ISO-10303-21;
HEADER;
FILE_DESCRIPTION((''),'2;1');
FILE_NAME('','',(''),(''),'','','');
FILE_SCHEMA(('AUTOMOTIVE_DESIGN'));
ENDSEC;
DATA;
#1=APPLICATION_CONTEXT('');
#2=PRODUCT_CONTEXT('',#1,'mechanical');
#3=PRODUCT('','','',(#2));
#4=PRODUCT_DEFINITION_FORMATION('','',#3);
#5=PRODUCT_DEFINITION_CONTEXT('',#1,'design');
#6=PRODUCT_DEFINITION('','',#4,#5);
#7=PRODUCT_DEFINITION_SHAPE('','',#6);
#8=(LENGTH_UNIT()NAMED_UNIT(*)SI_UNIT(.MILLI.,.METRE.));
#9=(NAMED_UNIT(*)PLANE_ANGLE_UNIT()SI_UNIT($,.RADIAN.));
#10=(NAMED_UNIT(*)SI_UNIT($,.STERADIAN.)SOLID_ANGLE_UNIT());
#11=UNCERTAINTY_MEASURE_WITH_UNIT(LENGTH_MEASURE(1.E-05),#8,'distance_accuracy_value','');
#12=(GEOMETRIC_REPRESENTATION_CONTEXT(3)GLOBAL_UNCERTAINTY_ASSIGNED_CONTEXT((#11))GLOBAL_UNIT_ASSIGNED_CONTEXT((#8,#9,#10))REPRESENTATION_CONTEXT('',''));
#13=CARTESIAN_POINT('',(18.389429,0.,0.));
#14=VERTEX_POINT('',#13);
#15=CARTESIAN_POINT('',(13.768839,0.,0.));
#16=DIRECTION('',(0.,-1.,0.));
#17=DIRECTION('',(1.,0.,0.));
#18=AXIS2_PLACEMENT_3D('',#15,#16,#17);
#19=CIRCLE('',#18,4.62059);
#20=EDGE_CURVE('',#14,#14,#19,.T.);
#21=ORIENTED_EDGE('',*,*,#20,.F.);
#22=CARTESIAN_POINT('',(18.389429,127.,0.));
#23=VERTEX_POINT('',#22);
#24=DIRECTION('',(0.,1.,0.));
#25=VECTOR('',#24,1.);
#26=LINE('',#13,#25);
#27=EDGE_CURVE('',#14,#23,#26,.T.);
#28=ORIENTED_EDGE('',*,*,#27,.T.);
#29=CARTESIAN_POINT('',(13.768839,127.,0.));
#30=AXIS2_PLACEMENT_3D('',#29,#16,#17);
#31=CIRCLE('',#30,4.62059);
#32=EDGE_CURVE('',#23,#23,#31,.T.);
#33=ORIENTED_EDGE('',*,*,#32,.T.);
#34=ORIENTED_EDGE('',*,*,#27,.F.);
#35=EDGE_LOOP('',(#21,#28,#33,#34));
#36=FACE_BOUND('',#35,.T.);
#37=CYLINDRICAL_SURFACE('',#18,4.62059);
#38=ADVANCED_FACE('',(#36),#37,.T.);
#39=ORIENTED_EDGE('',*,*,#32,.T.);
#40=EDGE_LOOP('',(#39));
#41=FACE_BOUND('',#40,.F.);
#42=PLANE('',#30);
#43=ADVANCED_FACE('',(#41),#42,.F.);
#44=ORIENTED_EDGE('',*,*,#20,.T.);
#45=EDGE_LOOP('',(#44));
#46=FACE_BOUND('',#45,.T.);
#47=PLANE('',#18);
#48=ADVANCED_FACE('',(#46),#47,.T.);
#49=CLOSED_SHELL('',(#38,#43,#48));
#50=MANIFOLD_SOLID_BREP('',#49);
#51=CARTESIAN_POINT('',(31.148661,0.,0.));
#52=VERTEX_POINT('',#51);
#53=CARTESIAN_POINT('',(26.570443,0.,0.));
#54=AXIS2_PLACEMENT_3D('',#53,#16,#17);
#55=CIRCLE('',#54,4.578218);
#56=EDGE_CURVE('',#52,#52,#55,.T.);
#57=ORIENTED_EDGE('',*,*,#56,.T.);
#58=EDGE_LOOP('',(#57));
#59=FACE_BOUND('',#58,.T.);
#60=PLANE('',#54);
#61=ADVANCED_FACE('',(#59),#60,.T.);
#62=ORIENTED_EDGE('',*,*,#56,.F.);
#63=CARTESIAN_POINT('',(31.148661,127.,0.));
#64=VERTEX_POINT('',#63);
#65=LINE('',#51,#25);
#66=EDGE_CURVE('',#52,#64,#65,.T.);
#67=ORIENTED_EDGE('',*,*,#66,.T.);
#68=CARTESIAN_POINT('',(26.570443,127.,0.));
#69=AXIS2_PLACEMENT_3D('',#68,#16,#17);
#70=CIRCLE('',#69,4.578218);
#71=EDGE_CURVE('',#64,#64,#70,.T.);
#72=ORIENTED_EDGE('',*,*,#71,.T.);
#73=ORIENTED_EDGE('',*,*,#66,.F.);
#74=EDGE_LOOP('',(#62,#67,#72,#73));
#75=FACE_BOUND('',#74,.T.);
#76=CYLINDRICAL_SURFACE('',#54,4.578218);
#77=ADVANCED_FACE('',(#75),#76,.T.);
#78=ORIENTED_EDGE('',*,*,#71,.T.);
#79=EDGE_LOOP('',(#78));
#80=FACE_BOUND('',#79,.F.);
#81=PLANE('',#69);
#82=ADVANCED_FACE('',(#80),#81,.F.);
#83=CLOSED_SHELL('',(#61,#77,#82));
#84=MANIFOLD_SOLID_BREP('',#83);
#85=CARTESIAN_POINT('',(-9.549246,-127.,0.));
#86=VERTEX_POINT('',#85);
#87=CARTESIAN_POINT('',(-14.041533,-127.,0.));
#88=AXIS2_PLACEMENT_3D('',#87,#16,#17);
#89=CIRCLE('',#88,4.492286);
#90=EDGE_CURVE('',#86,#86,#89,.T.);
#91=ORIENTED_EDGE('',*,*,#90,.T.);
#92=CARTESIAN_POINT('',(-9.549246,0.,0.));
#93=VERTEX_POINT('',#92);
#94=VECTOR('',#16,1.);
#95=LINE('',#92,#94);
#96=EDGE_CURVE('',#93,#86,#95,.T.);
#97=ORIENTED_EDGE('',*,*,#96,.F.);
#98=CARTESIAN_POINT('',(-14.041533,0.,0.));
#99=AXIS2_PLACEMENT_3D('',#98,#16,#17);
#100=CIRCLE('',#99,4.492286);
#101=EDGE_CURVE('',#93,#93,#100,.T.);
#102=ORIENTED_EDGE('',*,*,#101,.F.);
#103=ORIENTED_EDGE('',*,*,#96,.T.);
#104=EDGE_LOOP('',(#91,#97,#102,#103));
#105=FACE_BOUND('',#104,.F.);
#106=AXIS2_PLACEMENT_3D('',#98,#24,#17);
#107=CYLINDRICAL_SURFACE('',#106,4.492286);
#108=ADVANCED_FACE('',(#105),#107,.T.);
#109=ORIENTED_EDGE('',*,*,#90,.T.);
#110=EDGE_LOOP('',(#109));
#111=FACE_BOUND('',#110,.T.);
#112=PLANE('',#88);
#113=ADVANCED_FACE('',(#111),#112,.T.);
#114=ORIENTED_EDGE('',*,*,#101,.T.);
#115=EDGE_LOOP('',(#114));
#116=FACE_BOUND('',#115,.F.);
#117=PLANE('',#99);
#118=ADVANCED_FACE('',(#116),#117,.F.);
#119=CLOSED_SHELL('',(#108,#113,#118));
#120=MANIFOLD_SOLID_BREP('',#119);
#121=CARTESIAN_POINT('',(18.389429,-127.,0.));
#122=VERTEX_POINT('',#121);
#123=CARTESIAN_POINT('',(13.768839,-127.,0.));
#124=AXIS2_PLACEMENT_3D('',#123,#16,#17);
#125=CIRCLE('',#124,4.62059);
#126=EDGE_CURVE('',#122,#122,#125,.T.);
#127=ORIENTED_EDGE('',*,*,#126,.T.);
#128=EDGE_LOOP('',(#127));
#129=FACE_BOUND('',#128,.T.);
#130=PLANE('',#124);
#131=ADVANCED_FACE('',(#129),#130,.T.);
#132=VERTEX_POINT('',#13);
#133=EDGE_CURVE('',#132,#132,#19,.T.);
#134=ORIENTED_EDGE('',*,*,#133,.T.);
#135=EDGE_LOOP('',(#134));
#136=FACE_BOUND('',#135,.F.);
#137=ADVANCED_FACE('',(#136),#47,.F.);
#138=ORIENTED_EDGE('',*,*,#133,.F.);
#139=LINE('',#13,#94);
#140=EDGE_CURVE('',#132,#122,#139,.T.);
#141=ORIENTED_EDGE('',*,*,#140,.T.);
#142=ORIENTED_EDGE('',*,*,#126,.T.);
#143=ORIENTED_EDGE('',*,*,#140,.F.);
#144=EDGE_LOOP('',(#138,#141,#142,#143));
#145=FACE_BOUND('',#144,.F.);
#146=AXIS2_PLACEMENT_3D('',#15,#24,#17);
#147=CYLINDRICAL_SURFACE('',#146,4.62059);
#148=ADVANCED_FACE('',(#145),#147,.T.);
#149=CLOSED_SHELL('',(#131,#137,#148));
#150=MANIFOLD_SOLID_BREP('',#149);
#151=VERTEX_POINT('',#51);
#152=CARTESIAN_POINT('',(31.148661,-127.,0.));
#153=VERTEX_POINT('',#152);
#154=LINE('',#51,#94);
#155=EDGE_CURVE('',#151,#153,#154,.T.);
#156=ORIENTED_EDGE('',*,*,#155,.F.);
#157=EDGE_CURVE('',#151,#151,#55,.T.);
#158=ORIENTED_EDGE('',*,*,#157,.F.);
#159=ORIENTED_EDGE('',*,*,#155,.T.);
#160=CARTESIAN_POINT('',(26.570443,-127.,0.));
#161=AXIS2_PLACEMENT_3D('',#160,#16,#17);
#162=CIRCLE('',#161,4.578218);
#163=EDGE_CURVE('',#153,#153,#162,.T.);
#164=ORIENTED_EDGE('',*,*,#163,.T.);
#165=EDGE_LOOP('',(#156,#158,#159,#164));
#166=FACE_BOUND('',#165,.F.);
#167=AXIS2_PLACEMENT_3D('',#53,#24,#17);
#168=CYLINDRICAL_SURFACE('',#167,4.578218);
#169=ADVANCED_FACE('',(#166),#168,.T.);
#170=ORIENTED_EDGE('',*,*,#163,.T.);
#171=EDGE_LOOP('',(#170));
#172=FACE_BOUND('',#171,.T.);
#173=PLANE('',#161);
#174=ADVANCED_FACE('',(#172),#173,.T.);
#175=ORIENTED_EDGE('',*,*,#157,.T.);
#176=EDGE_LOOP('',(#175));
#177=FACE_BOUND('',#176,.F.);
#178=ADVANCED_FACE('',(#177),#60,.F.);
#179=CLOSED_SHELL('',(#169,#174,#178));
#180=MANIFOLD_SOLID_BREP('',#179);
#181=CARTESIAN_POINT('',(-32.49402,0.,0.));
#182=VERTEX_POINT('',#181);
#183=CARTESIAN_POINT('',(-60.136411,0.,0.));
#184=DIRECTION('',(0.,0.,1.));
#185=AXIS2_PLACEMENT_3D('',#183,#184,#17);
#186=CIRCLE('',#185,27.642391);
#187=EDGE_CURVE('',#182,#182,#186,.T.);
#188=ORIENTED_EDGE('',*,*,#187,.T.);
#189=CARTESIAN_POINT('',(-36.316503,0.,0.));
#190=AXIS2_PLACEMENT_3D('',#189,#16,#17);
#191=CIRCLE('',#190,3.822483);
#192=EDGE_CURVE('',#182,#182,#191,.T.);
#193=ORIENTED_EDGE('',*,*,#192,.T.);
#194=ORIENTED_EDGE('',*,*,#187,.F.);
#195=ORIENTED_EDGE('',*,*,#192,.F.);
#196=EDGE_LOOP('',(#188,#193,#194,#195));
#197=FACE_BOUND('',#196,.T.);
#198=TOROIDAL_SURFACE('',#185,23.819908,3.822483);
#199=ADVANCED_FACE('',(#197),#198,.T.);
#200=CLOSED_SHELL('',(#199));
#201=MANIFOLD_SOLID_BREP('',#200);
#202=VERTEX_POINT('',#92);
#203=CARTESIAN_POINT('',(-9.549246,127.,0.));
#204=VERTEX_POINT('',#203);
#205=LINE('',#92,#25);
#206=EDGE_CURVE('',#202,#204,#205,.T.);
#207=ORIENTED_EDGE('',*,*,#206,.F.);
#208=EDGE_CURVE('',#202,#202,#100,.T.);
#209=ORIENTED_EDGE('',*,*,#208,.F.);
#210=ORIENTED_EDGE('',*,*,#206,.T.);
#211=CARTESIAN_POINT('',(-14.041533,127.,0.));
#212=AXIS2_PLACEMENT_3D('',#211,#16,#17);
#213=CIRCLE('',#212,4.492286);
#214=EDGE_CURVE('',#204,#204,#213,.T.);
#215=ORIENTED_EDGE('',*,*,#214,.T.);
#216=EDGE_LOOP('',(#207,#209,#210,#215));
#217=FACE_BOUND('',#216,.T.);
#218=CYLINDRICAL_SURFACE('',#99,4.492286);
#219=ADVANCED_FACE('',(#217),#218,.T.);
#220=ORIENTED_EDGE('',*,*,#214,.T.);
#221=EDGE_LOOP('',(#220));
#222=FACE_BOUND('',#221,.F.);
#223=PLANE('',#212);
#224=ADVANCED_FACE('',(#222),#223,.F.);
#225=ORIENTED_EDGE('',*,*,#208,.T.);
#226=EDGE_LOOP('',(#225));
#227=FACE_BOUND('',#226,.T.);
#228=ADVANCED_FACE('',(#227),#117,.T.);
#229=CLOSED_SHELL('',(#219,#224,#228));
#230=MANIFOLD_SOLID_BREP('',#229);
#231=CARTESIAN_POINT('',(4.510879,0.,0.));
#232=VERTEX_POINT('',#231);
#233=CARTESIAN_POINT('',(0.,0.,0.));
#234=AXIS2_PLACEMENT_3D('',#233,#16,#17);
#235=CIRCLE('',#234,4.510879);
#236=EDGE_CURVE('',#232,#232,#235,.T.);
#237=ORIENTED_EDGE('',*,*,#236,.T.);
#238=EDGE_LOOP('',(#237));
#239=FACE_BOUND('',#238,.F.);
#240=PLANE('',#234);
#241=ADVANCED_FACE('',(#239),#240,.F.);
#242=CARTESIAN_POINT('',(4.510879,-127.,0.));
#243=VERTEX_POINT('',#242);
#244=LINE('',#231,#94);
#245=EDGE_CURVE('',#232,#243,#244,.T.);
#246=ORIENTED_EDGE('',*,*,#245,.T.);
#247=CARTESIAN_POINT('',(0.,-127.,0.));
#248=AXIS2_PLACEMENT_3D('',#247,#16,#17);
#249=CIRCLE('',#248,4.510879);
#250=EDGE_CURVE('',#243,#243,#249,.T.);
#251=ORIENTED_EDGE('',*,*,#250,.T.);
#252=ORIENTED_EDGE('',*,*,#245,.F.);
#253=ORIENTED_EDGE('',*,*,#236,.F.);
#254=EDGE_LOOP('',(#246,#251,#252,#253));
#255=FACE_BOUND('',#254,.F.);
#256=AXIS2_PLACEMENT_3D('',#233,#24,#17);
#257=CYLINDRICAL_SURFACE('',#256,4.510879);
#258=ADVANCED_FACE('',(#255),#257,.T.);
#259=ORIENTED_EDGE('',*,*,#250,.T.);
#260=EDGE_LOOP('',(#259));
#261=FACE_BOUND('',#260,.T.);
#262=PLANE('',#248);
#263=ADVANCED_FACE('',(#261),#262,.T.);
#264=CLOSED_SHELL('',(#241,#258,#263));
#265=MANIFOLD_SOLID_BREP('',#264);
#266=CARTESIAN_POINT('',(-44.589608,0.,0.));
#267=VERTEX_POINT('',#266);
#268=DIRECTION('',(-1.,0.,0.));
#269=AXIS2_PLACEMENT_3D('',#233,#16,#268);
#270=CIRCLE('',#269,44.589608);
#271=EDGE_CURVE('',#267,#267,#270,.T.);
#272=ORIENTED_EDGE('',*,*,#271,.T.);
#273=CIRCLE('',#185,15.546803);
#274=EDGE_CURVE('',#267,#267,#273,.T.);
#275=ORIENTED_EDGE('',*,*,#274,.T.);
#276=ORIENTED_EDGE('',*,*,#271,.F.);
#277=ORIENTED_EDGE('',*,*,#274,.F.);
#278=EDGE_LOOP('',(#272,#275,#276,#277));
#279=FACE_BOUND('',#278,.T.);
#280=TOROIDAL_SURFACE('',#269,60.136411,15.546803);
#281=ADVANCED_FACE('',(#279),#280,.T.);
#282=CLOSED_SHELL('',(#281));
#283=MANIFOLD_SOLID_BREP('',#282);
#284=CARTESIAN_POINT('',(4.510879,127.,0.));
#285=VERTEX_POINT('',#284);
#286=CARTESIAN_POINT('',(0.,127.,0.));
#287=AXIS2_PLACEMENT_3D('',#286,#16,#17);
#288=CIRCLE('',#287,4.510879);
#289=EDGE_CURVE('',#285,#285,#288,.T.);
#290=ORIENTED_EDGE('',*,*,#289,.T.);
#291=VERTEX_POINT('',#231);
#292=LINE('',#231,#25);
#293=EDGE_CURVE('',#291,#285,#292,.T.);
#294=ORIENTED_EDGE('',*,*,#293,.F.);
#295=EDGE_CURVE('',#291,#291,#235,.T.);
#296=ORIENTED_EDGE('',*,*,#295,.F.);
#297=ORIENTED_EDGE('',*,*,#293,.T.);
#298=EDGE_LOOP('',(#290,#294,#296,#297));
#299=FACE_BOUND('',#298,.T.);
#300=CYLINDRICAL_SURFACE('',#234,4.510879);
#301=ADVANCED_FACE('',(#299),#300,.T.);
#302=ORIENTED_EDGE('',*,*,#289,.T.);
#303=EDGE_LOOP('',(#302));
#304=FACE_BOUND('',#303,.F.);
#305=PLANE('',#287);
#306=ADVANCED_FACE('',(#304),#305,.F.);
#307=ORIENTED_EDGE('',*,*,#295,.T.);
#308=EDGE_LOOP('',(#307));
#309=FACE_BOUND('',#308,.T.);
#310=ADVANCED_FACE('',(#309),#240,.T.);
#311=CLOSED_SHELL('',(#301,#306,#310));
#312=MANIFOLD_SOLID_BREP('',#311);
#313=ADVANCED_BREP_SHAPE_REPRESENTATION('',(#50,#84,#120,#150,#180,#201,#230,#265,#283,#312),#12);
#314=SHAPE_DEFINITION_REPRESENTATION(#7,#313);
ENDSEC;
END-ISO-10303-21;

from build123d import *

# Parameters (mm, degrees)
F1_R     = 15.5468033034
F3_R     = 3.8224828709
F3_R_2   = 4.4922863486
F5_DEPTH = 127
F3_R_3   = 4.5108792424
F3_R_4   = 4.6205897927
F3_R_5   = 4.5782180449
F6_DEPTH = 127


with BuildPart() as f2:
    # F1 (on Top) → F2 (revolve)
    with BuildSketch(Plane.XY):
        with Locations((-60.136411339, 0)):
            Circle(F1_R)
    revolve(axis=Axis((0, 0, 0), (0, -1, 0)))


with BuildPart() as f4:
    # F3 (on Front) → F4 (revolve)
    with BuildSketch(Plane.XZ):
        with Locations((-36.3165028393, 0)):
            Circle(F3_R)
    revolve(axis=Axis((-60.136411339, 0, 0), (0, 0, 1)))


with BuildPart() as f5:
    # F3 (on Front) → F5 (new body)
    with BuildSketch(Plane.XZ):
        with Locations((-14.0415327623, 0)):
            Circle(F3_R_2)
    extrude(amount=F5_DEPTH)


with BuildPart() as f5b:
    # F3 (on Front) → F5, piece 2 (new body)
    with BuildSketch(Plane.XZ):
        Circle(F3_R_3)
    extrude(amount=F5_DEPTH)


with BuildPart() as f5c:
    # F3 (on Front) → F5, piece 3 (new body)
    with BuildSketch(Plane.XZ):
        with Locations((13.7688387185, 0)):
            Circle(F3_R_4)
    extrude(amount=F5_DEPTH)


with BuildPart() as f5d:
    # F3 (on Front) → F5, piece 4 (new body)
    with BuildSketch(Plane.XZ):
        with Locations((26.570443064, 0)):
            Circle(F3_R_5)
    extrude(amount=F5_DEPTH)


with BuildPart() as f6:
    # F3 (on Front) → F6 (new body)
    with BuildSketch(Plane.XZ):
        with Locations((-14.0415327623, 0)):
            Circle(F3_R_2)
    extrude(amount=-F6_DEPTH)


with BuildPart() as f6b:
    # F3 (on Front) → F6, piece 2 (new body)
    with BuildSketch(Plane.XZ):
        Circle(F3_R_3)
    extrude(amount=-F6_DEPTH)


with BuildPart() as f6c:
    # F3 (on Front) → F6, piece 3 (new body)
    with BuildSketch(Plane.XZ):
        with Locations((13.7688387185, 0)):
            Circle(F3_R_4)
    extrude(amount=-F6_DEPTH)


with BuildPart() as f6d:
    # F3 (on Front) → F6, piece 4 (new body)
    with BuildSketch(Plane.XZ):
        with Locations((26.570443064, 0)):
            Circle(F3_R_5)
    extrude(amount=-F6_DEPTH)


solid = Compound([f2.part, f4.part, f5.part, f5b.part, f5c.part, f5d.part, f6.part, f6b.part, f6c.part, f6d.part])
